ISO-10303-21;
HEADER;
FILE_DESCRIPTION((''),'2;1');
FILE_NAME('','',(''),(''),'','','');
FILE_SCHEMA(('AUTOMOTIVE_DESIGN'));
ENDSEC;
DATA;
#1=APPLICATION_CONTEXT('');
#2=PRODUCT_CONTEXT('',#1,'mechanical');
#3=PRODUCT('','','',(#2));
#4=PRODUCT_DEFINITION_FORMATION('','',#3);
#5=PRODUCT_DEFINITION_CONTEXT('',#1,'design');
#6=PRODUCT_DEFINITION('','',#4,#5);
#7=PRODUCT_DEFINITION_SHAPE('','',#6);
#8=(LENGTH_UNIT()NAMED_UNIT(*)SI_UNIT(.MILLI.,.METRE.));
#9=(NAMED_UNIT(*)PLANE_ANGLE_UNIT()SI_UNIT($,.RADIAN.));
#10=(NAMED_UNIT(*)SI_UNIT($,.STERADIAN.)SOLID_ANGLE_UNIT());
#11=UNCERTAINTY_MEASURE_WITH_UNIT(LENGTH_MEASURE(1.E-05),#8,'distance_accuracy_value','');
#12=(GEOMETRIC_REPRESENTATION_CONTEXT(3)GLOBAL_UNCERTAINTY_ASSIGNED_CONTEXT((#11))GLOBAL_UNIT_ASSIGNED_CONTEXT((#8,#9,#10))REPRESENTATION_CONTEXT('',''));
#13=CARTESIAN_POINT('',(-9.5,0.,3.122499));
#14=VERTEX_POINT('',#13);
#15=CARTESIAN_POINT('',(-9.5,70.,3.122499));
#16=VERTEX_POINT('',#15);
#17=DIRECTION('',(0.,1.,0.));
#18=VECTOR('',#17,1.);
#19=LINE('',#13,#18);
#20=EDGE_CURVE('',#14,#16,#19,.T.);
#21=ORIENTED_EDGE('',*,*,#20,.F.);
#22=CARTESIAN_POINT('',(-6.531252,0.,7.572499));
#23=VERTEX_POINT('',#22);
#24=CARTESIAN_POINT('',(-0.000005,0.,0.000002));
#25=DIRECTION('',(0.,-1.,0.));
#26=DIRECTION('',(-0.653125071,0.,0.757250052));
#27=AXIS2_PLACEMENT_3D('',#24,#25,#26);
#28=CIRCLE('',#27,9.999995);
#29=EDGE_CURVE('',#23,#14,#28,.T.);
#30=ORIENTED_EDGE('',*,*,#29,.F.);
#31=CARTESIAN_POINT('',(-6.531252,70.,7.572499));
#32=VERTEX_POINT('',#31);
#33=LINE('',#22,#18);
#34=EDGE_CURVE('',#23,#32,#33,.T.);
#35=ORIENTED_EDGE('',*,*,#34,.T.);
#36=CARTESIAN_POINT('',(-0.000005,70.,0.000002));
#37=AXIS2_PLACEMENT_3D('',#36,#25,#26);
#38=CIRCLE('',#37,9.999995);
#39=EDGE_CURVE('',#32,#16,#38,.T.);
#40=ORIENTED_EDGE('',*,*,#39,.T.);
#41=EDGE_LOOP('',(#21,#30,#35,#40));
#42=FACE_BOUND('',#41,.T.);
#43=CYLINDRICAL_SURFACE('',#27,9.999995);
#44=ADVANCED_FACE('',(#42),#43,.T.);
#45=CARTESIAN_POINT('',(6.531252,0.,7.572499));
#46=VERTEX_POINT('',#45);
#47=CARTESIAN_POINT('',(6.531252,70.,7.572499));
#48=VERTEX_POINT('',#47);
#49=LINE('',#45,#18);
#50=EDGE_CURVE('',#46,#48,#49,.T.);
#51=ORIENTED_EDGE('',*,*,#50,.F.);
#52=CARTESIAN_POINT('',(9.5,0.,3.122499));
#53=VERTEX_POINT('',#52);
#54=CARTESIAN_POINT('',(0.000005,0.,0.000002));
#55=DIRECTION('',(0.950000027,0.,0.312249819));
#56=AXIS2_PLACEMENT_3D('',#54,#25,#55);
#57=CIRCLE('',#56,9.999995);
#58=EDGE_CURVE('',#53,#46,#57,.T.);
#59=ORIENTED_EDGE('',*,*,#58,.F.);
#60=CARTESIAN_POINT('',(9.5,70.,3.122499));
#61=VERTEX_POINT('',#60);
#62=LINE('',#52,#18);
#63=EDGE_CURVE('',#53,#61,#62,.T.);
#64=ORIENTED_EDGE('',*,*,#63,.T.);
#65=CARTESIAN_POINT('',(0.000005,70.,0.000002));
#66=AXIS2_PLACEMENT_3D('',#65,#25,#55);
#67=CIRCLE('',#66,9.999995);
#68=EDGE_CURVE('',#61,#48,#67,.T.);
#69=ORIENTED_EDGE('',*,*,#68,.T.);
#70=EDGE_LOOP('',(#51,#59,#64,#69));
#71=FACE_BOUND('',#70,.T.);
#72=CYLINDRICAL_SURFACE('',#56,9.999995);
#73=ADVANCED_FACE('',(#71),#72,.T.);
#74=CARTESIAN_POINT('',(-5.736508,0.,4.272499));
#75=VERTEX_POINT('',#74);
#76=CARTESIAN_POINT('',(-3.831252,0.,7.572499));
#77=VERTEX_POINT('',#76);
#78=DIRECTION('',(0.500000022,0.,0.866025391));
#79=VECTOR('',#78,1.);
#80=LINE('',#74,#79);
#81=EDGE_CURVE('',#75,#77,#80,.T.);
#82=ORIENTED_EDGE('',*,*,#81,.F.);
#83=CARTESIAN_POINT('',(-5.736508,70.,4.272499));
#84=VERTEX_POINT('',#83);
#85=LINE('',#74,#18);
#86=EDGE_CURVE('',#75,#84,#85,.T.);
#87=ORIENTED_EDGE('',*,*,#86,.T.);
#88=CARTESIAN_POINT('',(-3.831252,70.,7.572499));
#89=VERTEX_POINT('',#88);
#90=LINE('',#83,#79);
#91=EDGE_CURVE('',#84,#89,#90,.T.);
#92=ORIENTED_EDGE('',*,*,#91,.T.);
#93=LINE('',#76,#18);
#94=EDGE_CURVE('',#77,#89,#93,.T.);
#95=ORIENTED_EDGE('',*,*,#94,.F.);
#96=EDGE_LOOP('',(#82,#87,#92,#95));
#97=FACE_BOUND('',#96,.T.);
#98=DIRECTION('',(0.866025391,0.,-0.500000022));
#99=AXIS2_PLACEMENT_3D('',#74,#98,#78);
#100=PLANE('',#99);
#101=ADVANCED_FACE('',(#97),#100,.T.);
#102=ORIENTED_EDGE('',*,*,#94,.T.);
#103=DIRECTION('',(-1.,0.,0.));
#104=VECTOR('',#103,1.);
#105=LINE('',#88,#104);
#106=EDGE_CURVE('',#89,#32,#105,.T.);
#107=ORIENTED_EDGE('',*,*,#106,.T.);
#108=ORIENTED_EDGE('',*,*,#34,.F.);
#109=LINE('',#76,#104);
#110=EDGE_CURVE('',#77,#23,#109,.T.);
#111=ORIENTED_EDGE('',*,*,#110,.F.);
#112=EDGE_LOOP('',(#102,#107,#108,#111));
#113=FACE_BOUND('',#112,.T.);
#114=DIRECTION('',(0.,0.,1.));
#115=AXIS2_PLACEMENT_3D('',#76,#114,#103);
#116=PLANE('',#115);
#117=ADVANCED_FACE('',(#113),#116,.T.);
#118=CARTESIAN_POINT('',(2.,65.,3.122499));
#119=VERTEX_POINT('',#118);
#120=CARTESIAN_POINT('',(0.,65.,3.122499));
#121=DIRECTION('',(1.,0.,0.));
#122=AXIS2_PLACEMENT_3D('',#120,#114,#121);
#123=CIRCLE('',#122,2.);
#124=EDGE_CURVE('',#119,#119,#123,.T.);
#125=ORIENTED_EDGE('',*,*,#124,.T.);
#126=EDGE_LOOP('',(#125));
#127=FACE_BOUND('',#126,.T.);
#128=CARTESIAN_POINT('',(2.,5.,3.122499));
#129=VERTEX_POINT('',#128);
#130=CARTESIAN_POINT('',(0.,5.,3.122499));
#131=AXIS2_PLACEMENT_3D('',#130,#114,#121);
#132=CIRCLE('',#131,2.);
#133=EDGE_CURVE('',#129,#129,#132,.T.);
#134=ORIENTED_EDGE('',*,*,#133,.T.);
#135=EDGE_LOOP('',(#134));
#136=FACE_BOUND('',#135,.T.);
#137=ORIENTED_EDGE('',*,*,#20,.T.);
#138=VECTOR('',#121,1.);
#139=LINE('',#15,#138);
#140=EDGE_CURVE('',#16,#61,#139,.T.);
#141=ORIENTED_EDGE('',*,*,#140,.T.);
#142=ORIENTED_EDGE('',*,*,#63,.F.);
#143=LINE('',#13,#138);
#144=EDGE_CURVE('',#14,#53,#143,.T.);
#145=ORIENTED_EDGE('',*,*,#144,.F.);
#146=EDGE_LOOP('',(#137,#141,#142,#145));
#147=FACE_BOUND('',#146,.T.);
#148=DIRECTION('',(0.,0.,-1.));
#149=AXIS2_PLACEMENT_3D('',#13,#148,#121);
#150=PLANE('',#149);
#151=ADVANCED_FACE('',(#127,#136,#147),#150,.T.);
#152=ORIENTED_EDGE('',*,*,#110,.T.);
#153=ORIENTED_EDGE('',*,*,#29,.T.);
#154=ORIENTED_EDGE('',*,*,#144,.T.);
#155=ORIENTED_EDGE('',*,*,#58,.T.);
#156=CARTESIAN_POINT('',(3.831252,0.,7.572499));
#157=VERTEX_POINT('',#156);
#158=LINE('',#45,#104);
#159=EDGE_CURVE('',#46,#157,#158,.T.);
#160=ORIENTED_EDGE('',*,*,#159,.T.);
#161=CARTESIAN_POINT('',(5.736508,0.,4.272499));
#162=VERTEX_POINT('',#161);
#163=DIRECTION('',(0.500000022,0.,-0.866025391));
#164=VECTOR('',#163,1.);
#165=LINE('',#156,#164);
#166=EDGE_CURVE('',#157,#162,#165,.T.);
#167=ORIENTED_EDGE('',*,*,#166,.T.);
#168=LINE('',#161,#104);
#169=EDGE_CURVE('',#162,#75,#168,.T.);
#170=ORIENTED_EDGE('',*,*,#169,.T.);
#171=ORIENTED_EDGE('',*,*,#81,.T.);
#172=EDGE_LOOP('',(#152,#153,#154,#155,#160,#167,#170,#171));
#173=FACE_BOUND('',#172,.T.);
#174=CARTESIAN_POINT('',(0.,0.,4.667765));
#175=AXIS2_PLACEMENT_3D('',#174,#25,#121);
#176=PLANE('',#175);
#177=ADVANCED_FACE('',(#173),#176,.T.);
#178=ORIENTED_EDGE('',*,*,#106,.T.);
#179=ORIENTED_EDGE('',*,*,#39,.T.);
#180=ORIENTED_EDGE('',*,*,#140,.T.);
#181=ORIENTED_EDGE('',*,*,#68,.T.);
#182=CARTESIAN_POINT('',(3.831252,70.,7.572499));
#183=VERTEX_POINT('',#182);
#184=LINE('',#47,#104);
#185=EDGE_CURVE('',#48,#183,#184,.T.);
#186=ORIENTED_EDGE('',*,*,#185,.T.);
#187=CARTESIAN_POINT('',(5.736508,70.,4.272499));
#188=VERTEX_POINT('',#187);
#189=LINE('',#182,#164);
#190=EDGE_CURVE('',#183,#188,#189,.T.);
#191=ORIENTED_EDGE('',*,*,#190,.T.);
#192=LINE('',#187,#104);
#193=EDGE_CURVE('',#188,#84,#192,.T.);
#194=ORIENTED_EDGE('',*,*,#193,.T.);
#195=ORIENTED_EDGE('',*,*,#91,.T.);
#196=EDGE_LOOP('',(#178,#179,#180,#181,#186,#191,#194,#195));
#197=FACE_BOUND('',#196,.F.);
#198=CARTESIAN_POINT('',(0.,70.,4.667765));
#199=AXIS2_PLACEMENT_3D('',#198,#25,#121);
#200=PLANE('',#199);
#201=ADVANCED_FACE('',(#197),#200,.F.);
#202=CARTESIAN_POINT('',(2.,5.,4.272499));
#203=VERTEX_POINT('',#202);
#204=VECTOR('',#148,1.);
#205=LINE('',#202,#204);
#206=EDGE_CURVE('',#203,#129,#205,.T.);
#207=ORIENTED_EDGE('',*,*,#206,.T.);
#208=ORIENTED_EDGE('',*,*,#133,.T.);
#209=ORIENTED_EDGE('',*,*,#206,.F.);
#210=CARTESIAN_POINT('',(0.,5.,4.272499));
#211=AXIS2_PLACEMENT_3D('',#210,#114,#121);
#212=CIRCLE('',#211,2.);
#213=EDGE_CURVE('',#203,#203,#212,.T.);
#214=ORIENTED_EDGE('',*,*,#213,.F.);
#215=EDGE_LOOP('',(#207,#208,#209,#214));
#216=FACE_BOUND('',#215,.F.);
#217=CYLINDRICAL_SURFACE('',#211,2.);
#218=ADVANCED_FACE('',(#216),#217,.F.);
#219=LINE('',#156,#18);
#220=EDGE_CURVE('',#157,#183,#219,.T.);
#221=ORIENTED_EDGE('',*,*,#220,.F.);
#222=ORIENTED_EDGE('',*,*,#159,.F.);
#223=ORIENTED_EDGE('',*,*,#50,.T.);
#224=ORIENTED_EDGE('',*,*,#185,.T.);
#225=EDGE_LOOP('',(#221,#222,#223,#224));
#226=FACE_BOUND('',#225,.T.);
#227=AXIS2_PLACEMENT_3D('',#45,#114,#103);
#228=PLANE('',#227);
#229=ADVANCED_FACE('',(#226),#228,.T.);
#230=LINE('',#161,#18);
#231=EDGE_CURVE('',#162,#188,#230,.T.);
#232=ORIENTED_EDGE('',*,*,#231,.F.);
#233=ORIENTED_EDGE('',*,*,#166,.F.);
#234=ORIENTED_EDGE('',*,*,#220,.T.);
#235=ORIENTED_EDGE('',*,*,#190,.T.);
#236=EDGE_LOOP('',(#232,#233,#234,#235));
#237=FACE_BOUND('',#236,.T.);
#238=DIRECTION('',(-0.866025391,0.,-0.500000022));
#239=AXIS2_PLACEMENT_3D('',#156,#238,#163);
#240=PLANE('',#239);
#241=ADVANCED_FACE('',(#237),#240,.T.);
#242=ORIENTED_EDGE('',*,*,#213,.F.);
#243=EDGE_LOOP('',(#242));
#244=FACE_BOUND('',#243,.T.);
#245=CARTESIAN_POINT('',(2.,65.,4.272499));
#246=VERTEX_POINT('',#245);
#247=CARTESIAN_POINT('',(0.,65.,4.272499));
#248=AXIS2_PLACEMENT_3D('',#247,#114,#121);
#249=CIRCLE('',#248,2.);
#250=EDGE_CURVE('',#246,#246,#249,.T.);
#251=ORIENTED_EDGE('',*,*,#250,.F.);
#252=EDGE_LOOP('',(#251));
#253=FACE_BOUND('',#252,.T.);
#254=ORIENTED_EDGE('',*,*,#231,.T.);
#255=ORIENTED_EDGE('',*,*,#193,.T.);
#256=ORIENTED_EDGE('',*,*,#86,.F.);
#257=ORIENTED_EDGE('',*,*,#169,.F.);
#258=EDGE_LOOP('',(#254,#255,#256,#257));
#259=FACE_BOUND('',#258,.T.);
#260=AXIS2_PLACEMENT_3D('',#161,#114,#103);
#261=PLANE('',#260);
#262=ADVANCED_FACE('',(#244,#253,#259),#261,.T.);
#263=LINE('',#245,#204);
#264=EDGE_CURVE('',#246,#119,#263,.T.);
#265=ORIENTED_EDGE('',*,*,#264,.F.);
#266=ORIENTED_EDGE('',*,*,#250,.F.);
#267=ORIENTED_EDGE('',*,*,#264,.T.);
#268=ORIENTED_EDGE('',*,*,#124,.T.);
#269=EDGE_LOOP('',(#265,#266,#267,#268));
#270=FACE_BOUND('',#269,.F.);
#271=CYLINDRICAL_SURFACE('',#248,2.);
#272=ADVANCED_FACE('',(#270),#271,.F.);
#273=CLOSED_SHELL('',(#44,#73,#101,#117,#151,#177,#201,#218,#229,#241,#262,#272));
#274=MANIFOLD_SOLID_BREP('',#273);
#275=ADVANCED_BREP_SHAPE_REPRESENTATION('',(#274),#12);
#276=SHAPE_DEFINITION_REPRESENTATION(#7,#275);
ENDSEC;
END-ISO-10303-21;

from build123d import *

# Parameters (mm, degrees)
F1_DEPTH = 70
F2_R     = 2
F3_DEPTH = 1.151


with BuildPart() as f1:
    # F0 (on Front) → F1 (new body)
    with BuildSketch(Plane.XZ):
        with BuildLine():
            Line((-9.5, 3.122499), (9.5, 3.122499))
            ThreePointArc((9.5, 3.122499), (8.318707, 5.549695), (6.531252, 7.572499))
            Line((6.531252, 7.572499), (3.831252, 7.572499))
            Line((3.831252, 7.572499), (5.736508, 4.272499))
            Line((5.736508, 4.272499), (0, 4.272499))
            Line((0, 4.272499), (-5.736508, 4.272499))
            Line((-5.736508, 4.272499), (-3.831252, 7.572499))
            Line((-3.831252, 7.572499), (-6.531252, 7.572499))
            ThreePointArc((-6.531252, 7.572499), (-8.318707, 5.549695), (-9.5, 3.122499))
        make_face()
    extrude(amount=-F1_DEPTH)

    # F2 (on face) → F3 (cut, through all)
    with BuildSketch(Plane.XY.offset(4.272499)):
        with Locations((0, 5)):
            Circle(F2_R)
        with Locations((0, 65)):
            Circle(F2_R)
    extrude(amount=-F3_DEPTH, mode=Mode.SUBTRACT)


solid = f1.part
